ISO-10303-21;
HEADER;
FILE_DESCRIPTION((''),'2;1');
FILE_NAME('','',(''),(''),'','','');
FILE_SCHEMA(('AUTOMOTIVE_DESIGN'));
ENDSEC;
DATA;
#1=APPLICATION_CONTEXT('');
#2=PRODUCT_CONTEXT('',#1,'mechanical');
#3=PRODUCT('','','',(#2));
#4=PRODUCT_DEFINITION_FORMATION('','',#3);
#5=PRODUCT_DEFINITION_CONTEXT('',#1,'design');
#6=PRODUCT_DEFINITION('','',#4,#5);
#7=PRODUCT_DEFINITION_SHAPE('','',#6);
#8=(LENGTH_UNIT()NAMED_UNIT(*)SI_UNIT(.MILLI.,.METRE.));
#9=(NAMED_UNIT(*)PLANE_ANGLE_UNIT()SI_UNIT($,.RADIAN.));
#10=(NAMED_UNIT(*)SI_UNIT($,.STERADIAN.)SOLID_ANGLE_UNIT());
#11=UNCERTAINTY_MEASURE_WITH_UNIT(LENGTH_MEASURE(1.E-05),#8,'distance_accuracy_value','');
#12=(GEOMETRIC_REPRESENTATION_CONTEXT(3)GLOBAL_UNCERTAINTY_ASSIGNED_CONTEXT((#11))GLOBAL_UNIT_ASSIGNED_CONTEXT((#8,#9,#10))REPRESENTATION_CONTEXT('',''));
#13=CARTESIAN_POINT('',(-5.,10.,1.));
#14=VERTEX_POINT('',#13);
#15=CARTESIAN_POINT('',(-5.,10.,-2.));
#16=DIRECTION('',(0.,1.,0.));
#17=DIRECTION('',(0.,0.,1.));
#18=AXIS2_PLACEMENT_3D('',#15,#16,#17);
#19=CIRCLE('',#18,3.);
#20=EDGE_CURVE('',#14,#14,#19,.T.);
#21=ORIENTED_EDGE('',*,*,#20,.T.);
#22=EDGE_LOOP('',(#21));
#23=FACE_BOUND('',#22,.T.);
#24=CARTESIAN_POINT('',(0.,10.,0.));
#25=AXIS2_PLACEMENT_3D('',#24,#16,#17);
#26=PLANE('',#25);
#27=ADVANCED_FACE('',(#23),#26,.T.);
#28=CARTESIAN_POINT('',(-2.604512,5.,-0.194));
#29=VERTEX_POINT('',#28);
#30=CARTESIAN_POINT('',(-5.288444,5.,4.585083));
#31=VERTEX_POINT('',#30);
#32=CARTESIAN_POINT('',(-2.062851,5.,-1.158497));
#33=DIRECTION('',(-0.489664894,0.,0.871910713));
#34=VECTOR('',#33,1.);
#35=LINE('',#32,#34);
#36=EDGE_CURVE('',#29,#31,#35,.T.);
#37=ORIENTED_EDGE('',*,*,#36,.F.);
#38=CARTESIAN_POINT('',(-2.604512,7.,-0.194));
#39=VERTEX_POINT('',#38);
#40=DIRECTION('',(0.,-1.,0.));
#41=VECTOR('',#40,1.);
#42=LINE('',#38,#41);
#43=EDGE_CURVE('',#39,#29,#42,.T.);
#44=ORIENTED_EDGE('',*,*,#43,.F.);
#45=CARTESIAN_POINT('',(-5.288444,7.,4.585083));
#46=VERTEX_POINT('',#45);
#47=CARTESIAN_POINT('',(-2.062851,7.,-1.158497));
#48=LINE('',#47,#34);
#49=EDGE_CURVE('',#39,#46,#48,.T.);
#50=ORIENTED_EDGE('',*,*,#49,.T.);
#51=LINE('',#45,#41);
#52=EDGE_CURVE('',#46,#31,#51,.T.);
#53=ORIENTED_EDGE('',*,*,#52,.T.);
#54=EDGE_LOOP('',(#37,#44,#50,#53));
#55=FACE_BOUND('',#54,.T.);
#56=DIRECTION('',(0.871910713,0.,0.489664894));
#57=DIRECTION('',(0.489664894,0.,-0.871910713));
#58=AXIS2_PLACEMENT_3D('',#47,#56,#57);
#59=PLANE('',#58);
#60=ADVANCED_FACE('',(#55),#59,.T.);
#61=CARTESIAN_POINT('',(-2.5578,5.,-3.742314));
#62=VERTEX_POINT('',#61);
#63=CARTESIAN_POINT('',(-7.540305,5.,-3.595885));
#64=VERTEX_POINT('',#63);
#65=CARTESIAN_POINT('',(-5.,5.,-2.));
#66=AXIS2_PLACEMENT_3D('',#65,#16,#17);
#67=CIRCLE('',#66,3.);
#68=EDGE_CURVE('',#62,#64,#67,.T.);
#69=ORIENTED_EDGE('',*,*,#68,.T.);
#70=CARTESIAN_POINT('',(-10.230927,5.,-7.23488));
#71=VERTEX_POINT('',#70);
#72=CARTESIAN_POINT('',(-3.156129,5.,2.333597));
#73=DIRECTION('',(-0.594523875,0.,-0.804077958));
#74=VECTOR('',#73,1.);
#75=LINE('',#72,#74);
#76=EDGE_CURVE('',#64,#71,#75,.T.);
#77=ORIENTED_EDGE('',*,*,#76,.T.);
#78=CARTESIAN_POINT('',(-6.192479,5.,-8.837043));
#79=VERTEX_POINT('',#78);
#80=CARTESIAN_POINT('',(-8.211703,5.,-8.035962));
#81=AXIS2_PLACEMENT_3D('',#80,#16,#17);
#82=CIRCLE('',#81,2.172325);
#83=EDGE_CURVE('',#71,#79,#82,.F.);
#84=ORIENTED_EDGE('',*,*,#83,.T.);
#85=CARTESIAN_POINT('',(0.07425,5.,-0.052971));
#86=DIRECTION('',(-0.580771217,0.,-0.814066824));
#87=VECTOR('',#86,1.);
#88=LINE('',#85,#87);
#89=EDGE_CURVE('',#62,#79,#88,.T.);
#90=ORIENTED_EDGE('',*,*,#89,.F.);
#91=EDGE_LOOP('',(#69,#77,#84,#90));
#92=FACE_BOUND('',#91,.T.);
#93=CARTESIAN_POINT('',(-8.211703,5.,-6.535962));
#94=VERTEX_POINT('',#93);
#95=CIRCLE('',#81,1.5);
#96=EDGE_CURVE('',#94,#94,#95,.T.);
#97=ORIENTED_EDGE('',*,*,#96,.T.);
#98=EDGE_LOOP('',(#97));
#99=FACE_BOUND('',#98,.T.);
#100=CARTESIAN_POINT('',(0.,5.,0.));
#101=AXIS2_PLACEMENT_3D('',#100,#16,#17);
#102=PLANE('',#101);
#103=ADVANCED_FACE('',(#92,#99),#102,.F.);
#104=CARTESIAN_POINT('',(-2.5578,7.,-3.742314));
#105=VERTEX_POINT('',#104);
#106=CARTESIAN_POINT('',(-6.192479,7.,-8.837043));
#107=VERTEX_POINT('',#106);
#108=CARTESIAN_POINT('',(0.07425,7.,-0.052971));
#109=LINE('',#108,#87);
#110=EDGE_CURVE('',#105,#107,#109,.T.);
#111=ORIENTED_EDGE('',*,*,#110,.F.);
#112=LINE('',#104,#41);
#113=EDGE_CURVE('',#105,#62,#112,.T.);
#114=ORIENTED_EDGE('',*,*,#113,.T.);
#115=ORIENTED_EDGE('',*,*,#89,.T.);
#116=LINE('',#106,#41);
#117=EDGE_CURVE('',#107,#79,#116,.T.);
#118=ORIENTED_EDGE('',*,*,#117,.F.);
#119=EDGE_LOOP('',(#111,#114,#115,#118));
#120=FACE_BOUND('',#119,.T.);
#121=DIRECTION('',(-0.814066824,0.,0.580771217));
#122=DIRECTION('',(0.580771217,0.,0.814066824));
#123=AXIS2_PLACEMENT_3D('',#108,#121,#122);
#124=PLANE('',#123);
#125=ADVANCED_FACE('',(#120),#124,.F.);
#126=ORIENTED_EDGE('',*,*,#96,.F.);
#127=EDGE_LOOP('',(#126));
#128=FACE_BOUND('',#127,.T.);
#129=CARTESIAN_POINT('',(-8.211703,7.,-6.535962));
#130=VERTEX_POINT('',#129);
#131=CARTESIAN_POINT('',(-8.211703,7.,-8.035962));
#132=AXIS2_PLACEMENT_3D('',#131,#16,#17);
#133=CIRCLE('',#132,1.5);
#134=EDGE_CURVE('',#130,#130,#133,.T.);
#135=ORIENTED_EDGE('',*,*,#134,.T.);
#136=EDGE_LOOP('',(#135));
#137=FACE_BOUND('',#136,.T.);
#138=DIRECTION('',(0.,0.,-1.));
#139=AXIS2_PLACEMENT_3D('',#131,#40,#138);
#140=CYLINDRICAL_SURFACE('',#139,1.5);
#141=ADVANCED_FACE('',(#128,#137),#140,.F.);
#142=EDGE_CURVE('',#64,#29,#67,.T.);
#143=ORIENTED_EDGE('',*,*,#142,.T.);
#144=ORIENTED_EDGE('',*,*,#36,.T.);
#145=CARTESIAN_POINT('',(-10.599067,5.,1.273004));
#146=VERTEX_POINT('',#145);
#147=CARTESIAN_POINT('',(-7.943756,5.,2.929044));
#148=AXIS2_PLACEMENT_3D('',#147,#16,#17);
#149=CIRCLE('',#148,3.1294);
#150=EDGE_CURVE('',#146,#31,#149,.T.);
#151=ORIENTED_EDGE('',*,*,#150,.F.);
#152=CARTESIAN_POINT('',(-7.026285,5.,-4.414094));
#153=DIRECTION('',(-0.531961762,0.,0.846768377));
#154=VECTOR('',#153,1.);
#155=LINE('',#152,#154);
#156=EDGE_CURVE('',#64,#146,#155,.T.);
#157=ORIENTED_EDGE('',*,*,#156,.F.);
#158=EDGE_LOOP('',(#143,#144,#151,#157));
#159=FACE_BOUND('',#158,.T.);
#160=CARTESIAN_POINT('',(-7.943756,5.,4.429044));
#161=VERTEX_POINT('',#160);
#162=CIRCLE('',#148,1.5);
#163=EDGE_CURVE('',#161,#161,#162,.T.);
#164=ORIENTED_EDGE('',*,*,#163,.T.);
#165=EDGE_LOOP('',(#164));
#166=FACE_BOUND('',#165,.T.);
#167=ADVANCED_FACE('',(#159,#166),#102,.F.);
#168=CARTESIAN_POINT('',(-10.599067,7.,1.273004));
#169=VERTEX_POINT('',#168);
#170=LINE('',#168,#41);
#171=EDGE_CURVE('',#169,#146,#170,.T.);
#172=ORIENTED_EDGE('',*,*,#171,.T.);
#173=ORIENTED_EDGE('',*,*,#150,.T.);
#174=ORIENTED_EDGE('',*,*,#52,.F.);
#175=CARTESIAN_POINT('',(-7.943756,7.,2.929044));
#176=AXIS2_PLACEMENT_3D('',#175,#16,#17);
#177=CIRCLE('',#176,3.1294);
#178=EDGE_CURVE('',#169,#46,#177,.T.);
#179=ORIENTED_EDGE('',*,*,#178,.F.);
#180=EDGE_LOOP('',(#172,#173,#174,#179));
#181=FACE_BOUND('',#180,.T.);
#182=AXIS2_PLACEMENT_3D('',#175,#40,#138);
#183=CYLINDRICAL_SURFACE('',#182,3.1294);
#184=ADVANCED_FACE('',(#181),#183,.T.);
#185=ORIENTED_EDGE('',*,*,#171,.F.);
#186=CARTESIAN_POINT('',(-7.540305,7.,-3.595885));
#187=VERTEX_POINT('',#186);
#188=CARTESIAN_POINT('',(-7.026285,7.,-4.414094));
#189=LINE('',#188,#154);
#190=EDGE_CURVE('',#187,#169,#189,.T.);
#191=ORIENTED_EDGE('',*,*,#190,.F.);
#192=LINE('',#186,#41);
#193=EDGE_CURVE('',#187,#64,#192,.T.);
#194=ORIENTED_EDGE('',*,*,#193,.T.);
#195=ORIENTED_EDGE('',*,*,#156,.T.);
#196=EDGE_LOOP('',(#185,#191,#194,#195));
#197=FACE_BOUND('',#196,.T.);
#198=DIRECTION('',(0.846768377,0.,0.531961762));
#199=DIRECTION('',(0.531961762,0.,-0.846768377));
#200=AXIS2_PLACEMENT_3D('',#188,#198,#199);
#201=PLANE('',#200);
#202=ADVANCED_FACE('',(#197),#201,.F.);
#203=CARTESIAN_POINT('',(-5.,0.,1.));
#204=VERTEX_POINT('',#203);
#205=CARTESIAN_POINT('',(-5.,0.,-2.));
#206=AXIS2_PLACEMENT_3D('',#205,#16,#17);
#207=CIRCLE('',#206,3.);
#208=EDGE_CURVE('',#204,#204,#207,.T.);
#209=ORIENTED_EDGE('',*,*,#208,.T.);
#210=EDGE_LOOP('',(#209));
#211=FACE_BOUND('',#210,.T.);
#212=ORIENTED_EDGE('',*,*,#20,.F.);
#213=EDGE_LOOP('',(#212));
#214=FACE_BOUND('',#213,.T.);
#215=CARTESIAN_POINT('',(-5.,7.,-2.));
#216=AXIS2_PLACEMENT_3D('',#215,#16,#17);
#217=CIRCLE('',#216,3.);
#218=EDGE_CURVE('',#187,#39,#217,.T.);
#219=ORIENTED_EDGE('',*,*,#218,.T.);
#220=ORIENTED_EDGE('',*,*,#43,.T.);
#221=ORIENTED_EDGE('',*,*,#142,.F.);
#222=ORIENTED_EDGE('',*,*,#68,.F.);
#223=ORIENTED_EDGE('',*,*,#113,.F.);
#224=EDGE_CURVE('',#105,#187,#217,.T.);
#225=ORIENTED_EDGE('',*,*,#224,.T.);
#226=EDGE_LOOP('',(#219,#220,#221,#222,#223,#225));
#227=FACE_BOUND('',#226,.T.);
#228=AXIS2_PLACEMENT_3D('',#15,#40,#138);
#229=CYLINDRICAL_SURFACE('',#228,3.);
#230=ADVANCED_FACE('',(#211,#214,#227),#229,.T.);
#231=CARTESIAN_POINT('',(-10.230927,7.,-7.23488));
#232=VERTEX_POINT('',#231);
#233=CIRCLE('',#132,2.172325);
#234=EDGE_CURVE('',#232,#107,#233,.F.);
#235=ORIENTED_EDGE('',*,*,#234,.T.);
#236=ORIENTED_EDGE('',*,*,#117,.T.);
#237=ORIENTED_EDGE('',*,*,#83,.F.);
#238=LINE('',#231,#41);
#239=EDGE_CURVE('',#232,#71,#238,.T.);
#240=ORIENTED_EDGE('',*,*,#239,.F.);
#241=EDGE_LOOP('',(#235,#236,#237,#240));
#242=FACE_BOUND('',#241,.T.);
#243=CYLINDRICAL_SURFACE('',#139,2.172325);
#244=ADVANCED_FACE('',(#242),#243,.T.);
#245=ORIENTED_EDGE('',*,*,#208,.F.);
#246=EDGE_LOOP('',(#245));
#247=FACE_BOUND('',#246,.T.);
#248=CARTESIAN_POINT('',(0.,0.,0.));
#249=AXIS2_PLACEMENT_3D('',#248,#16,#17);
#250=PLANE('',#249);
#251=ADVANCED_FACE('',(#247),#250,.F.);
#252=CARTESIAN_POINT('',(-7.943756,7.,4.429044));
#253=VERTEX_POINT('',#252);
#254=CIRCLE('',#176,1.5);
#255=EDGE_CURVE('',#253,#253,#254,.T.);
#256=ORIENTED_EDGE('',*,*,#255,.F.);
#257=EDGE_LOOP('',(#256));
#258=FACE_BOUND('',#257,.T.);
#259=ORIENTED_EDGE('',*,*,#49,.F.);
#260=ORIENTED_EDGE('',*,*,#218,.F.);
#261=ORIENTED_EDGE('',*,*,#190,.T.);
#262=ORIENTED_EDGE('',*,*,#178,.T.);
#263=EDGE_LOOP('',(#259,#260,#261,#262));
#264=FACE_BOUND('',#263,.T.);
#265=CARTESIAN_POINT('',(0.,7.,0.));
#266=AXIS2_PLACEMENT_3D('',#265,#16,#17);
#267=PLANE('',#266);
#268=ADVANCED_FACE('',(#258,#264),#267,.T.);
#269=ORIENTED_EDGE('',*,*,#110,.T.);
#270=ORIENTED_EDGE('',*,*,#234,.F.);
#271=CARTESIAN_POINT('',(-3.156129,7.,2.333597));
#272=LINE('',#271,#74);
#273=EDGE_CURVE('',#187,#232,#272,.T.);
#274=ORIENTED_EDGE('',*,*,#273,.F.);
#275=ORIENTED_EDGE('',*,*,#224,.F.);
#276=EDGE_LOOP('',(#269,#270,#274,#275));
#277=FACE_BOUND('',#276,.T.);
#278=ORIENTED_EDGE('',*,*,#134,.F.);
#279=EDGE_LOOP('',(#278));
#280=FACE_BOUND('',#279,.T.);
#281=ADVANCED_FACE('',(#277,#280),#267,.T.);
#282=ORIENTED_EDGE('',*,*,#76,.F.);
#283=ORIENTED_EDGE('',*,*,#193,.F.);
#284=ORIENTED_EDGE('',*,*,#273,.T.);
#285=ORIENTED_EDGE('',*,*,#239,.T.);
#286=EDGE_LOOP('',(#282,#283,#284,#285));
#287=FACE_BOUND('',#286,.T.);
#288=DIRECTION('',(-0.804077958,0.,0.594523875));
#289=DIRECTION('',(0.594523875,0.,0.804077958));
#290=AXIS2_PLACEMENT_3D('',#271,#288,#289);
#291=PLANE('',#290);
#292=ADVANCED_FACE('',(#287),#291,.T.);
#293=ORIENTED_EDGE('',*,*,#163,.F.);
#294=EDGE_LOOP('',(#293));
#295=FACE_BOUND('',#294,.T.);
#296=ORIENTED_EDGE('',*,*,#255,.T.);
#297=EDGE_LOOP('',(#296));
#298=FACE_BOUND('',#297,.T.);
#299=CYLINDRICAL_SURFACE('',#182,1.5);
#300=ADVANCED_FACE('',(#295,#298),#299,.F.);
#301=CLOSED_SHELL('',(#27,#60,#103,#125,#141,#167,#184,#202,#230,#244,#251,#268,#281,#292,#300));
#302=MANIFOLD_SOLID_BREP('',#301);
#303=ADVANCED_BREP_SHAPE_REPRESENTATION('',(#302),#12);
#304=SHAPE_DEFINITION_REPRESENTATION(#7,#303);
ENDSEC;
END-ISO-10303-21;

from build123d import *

# Parameters (mm, degrees)
BOSS_EXTRUDE1_DEPTH = 10
BOSS_EXTRUDE2_START = 5
SKETCH1_3_R         = 1.5
BOSS_EXTRUDE2_DEPTH = 2


with BuildPart() as part:
    # Sketch1 → Boss-Extrude1 (new body)
    with BuildSketch(Plane(origin=(0, 0, 0), x_dir=(1, 0, 0), z_dir=(0, 1, 0))):
        with BuildLine():
            ThreePointArc((-2.557799528, 3.74231365), (-5.08812745, 4.998705313), (-7.54030513, 3.595885286))
            ThreePointArc((-7.54030513, 3.595885286), (-6.702483219, -0.470131755), (-2.604511851, 0.193999854))
            ThreePointArc((-2.604511851, 0.193999854), (-2.155139331, 1.047756451), (-2, 2))
            ThreePointArc((-2, 2), (-2.142850947, 2.914712683), (-2.557799528, 3.74231365))
        make_face()
    extrude(amount=BOSS_EXTRUDE1_DEPTH)

    # Sketch1<3> → Boss-Extrude2 (add)
    # profile 1 of 2: a face of its own
    with BuildSketch(Plane(origin=(0, 0, 0), x_dir=(1, 0, 0), z_dir=(0, 1, 0)).offset(BOSS_EXTRUDE2_START)):
        with BuildLine():
            ThreePointArc((-2.604511851, 0.193999854), (-6.702483219, -0.470131755), (-7.54030513, 3.595885286))
            Line((-7.54030513, 3.595885286), (-10.599067222, -1.273004164))
            ThreePointArc((-10.599067222, -1.273004164), (-9.599794928, -5.584355236), (-5.288443855, -4.585082942))
            Line((-5.288443855, -4.585082942), (-2.604511851, 0.193999854))
        make_face()
        with Locations((-7.943755539, -2.929043553)):
            Circle(SKETCH1_3_R, mode=Mode.SUBTRACT)
    # profile 2 of 2: a face of its own
    with BuildSketch(Plane(origin=(0, 0, 0), x_dir=(1, 0, 0), z_dir=(0, 1, 0)).offset(BOSS_EXTRUDE2_START)):
        with BuildLine():
            Line((-10.230926638, 7.234880355), (-7.54030513, 3.595885286))
            ThreePointArc((-7.54030513, 3.595885286), (-5.08812745, 4.998705313), (-2.557799528, 3.74231365))
            Line((-2.557799528, 3.74231365), (-6.192479387, 8.837043218))
            ThreePointArc((-6.192479387, 8.837043218), (-9.012784444, 10.055185412), (-10.230926638, 7.234880355))
        make_face()
        with Locations((-8.211703012, 8.035961786)):
            Circle(SKETCH1_3_R, mode=Mode.SUBTRACT)
    extrude(amount=BOSS_EXTRUDE2_DEPTH)


solid = part.part
